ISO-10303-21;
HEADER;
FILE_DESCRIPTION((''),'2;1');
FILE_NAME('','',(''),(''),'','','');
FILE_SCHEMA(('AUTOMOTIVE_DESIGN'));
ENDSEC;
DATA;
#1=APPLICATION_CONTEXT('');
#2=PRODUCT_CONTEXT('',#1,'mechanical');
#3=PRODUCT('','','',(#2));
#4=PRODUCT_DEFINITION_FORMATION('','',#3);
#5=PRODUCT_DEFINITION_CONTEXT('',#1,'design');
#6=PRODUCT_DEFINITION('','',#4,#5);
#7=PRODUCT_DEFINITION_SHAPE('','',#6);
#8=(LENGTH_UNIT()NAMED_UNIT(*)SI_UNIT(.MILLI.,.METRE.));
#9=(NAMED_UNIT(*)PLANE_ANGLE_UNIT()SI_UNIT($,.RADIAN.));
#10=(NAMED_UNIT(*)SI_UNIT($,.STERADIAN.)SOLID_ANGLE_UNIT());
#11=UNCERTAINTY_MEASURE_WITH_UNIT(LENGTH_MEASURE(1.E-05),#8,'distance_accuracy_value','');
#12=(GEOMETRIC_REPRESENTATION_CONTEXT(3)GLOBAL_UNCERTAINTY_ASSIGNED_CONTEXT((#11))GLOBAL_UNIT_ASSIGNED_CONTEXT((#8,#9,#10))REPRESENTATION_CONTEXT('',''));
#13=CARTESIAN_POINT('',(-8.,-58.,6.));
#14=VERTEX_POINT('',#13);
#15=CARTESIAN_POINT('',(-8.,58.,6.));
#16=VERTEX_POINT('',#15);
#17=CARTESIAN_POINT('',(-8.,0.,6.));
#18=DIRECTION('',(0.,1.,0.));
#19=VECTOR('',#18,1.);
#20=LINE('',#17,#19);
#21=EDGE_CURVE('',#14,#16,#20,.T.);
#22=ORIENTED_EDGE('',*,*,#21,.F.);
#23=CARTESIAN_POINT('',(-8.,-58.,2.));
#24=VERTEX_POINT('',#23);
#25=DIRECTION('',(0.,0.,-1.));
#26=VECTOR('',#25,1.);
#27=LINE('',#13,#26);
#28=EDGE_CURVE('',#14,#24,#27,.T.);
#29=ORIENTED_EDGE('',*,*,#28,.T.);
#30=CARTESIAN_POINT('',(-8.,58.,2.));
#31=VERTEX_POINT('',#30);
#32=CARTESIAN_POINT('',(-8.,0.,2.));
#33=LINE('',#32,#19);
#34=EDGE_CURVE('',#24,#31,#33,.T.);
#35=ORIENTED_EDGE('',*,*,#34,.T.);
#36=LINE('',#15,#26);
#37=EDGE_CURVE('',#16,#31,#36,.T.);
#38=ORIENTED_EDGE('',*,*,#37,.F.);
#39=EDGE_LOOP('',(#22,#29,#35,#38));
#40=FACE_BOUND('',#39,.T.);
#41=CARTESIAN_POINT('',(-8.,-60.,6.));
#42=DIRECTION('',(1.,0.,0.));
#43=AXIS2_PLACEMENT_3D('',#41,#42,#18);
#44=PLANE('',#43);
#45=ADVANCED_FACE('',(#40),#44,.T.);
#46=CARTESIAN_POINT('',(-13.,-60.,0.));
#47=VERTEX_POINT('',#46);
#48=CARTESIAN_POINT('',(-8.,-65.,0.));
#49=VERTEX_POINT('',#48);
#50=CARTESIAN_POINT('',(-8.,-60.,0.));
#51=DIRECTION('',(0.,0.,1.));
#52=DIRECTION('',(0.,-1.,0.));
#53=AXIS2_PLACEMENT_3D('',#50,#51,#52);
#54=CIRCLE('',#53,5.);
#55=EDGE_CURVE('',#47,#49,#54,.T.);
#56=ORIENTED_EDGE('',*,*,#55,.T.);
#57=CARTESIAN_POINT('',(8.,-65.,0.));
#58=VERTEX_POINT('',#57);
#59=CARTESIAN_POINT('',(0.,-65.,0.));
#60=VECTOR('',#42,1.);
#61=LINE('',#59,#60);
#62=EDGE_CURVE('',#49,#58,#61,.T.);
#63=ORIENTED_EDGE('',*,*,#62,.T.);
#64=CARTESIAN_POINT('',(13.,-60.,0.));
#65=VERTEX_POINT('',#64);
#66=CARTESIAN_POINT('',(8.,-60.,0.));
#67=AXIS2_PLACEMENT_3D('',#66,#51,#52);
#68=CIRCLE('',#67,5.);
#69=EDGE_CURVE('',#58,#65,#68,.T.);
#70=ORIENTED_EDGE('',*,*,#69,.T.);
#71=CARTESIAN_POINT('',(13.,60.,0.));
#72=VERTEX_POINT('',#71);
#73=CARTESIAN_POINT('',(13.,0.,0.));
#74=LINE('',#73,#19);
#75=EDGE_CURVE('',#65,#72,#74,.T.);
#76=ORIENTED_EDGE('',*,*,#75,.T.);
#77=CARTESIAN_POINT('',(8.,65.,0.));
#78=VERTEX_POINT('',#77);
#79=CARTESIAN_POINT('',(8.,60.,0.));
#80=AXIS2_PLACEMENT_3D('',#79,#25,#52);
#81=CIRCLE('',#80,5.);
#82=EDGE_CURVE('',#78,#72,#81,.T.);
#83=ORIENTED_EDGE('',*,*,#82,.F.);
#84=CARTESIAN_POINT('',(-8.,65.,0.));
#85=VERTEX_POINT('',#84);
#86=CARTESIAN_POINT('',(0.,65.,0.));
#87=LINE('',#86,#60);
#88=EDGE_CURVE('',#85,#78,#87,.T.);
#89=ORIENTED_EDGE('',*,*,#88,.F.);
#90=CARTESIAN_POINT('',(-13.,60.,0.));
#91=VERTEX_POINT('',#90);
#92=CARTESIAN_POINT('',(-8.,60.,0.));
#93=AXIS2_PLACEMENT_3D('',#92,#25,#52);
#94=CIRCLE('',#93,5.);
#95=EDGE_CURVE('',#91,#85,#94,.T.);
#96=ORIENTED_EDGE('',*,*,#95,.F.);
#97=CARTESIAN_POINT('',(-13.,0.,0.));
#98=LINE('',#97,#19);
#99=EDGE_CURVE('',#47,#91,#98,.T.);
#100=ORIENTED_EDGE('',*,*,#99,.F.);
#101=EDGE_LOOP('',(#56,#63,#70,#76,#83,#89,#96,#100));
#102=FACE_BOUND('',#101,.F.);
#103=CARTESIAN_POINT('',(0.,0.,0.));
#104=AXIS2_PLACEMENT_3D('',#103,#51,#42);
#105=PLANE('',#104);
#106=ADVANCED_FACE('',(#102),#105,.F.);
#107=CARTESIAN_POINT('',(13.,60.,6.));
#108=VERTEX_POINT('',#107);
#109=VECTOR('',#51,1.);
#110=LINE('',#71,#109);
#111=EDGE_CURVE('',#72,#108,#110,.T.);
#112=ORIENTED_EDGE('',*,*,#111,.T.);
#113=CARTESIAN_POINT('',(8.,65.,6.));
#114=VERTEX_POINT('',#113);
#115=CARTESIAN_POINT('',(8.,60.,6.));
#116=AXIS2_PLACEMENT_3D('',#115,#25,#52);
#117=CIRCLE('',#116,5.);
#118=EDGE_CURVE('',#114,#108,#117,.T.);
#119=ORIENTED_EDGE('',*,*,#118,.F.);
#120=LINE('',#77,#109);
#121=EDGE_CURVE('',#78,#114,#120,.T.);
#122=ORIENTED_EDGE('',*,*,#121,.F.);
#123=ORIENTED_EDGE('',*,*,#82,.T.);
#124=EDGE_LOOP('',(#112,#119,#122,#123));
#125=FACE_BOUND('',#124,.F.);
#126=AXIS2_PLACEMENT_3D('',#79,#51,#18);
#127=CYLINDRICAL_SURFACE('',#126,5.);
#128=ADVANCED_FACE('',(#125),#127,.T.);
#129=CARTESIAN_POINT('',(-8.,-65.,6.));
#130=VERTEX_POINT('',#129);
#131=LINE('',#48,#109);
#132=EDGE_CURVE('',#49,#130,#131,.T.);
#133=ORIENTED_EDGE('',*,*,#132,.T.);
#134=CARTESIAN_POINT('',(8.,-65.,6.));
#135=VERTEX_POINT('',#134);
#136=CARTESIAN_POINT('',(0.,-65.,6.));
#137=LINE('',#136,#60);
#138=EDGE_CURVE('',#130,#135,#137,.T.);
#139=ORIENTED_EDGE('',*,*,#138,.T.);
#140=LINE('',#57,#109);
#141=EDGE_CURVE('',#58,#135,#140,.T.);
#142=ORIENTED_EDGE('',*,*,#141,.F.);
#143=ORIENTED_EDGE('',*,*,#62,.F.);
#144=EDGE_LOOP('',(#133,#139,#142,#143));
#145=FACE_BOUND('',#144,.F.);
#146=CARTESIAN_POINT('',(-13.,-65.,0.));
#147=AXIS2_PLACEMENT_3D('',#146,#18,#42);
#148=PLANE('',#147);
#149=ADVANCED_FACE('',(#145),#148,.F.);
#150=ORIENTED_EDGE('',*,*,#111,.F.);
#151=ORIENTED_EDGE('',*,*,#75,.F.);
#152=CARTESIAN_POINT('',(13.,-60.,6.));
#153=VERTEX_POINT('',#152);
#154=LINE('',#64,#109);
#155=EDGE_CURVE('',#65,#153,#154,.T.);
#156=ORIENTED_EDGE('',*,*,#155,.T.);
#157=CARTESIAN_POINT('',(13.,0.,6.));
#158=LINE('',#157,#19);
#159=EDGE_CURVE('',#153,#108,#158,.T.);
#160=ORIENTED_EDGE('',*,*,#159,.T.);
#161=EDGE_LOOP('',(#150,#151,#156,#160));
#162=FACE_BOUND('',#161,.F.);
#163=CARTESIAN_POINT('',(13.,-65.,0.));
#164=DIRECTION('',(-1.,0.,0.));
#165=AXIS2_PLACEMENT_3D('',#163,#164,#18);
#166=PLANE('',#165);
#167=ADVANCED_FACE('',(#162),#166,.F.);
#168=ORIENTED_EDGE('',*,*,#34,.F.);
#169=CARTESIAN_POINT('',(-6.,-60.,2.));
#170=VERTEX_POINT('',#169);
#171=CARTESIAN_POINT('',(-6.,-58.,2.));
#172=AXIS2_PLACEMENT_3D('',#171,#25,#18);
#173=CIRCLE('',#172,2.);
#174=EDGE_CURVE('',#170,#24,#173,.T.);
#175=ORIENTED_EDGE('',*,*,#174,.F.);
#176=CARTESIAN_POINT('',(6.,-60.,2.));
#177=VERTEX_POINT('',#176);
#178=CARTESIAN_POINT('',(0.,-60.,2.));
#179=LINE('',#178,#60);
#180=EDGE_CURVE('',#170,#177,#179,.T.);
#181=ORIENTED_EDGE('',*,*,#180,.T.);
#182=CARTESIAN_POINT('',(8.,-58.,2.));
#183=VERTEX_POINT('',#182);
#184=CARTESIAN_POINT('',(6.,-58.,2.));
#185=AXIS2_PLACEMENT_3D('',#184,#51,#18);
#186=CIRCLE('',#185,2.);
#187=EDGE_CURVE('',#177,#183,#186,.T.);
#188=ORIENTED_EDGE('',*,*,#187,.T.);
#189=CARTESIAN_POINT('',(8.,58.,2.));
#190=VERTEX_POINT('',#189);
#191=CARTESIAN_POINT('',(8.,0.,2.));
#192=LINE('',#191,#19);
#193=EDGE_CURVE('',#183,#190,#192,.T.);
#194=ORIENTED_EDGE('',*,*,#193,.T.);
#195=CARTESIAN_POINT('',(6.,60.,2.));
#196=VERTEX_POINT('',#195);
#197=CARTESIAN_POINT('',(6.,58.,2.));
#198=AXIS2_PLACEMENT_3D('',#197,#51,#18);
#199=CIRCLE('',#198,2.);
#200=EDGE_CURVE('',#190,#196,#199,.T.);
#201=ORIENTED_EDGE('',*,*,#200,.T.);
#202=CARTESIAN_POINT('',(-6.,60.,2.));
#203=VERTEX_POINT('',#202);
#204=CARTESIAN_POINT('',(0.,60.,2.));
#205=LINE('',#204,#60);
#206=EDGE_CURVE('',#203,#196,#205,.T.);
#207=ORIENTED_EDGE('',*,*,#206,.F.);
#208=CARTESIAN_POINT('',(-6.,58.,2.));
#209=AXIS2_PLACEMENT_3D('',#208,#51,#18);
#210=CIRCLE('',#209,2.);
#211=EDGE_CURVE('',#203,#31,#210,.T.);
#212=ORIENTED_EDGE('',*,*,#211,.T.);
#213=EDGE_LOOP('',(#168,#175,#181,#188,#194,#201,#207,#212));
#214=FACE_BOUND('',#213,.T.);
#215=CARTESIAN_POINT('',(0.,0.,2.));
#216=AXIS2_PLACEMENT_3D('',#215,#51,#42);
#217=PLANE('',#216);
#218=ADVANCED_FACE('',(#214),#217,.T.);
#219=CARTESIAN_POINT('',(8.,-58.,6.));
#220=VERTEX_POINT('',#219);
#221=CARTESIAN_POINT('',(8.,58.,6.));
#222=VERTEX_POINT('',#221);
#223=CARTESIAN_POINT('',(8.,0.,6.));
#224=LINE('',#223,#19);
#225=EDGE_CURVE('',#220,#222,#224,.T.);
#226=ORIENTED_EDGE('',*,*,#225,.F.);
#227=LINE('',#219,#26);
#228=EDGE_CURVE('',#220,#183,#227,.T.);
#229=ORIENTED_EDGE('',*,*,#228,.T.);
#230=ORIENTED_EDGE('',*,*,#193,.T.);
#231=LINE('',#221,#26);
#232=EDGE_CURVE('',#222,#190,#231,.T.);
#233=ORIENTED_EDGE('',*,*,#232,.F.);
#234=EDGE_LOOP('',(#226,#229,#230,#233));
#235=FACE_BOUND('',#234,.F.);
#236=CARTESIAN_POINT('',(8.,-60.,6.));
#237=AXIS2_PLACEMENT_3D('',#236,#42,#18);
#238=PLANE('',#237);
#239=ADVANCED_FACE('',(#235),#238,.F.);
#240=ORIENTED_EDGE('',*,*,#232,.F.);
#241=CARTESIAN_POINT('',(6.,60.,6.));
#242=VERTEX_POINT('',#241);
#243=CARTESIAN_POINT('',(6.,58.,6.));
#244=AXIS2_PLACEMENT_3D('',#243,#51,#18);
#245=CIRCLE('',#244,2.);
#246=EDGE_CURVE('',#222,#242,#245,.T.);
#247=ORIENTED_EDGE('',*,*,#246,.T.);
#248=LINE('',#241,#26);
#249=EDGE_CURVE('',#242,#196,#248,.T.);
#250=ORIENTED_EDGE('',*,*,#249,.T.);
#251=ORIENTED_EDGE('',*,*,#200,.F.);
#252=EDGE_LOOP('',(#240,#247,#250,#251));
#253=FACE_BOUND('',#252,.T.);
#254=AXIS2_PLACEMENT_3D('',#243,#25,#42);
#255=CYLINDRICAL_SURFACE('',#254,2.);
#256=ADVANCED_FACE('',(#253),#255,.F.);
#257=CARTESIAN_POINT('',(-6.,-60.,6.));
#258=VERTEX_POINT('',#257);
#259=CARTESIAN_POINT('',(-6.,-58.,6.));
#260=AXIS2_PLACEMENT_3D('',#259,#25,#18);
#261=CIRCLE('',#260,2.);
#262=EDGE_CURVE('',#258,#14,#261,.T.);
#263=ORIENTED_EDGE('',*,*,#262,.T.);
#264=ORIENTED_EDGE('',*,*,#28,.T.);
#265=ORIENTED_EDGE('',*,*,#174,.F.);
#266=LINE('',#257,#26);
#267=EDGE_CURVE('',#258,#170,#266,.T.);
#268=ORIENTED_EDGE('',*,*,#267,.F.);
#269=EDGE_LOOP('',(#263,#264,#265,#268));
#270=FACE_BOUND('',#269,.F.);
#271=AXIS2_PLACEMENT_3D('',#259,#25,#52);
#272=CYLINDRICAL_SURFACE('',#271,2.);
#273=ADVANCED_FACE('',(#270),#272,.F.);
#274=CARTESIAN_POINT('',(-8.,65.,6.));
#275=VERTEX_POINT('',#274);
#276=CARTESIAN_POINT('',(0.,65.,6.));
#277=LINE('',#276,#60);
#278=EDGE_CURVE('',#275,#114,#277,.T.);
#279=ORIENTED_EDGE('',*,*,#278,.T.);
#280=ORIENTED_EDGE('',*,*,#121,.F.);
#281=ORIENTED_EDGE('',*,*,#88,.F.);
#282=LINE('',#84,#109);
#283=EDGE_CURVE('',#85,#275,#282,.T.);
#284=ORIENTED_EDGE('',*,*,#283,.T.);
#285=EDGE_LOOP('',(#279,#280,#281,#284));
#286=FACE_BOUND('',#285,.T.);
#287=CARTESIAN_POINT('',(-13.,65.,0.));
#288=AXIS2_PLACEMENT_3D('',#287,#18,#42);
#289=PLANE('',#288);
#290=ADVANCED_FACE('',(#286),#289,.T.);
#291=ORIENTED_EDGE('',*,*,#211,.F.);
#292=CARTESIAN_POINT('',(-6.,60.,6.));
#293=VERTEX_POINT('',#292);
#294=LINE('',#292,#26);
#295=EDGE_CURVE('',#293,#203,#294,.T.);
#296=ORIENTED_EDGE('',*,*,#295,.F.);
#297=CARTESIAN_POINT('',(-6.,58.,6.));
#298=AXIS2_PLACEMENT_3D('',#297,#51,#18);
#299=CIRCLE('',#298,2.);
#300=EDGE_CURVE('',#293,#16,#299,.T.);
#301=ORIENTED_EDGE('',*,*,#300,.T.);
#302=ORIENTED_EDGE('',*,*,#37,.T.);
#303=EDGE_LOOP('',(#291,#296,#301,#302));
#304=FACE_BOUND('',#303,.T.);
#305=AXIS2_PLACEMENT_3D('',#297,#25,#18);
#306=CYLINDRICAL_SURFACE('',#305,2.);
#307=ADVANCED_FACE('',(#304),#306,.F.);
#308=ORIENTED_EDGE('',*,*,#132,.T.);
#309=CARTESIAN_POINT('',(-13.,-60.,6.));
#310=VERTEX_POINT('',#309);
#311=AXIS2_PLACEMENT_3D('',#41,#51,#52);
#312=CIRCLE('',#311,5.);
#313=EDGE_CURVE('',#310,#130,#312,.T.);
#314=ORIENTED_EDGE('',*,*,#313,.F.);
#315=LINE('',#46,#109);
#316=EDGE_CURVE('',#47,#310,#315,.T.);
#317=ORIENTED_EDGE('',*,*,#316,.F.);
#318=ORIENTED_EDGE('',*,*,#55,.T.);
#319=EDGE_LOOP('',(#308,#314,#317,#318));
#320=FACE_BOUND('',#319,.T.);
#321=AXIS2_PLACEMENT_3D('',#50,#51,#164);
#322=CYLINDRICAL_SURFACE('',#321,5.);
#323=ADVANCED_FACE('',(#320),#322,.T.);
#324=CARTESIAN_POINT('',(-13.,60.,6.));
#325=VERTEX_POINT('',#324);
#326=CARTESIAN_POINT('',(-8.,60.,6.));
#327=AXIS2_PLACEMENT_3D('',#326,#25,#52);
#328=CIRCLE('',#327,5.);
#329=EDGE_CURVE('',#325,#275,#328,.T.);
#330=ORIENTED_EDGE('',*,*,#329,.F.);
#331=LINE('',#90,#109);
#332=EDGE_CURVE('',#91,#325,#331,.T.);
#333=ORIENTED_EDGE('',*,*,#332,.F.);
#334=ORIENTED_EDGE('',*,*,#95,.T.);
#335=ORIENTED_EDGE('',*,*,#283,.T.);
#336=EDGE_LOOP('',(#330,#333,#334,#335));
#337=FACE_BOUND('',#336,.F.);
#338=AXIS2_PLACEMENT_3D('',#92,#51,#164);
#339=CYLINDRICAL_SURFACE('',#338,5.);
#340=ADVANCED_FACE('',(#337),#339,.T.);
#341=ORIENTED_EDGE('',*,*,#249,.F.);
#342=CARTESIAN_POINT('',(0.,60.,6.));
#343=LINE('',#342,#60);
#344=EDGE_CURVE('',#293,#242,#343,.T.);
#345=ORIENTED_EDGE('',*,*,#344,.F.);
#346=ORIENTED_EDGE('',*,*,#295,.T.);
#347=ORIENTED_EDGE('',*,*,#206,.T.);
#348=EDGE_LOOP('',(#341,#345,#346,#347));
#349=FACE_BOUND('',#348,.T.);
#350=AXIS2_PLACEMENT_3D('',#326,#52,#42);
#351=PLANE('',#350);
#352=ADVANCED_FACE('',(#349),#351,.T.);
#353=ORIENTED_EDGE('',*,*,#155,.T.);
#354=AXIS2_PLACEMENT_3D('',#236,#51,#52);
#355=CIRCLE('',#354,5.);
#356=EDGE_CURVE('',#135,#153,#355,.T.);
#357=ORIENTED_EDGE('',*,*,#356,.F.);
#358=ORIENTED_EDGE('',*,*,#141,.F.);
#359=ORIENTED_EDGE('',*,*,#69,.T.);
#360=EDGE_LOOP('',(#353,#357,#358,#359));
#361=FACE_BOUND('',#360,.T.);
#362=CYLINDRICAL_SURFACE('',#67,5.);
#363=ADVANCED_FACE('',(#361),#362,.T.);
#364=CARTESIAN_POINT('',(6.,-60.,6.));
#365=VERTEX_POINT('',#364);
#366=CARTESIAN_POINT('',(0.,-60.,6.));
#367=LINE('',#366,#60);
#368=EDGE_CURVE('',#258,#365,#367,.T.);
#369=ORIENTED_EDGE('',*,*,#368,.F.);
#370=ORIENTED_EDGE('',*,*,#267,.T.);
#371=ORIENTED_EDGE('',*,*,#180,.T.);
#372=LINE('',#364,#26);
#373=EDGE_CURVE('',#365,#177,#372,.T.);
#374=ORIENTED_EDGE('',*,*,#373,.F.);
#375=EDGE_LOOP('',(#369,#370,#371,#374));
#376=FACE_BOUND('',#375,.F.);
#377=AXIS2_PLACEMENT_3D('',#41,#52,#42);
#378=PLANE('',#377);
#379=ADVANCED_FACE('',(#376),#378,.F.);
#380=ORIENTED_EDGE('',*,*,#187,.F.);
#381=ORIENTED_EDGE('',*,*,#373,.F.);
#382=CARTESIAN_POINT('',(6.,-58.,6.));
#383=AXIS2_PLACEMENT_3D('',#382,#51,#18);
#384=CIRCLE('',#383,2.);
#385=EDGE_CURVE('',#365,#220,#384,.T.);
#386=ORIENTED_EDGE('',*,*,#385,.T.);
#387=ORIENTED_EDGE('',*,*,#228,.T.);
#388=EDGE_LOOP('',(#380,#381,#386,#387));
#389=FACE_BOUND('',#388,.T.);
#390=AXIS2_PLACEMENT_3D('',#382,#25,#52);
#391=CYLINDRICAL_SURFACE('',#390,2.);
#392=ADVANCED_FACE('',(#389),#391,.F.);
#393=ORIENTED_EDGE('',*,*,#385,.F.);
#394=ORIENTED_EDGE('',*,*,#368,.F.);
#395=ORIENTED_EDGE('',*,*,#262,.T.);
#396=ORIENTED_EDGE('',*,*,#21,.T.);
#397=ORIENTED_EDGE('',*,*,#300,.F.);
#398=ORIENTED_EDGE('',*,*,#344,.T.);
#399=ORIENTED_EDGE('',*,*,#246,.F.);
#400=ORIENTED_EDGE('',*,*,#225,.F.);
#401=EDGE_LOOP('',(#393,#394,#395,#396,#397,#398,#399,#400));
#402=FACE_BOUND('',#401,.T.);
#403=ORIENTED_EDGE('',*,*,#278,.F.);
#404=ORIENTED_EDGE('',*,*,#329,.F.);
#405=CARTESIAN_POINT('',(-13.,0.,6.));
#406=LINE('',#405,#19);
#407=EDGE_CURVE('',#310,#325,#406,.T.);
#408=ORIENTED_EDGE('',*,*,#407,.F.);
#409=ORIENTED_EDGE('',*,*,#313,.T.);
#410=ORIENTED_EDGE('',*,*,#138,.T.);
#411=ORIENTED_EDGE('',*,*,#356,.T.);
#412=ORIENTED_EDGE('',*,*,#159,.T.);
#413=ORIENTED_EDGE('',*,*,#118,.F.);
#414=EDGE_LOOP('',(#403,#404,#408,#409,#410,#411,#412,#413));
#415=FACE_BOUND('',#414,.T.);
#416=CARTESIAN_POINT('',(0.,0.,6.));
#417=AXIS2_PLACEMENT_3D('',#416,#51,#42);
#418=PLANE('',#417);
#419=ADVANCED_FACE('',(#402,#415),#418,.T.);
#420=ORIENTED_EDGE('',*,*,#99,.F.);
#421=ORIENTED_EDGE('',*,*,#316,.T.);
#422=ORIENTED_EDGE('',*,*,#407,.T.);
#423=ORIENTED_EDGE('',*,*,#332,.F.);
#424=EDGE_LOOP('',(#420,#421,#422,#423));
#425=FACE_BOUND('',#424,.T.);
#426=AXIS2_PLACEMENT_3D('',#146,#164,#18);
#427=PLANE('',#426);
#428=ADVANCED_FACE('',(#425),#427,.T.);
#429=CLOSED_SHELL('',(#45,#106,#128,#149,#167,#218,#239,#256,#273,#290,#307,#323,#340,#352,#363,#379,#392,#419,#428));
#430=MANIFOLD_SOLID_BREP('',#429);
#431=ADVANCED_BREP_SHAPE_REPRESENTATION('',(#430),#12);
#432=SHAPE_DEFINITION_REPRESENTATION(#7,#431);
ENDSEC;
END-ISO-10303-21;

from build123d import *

# Parameters (mm, degrees)
F0_W     = 26
F0_H     = 130
F1_DEPTH = 6
F2_W     = 16
F2_H     = 120
F3_DEPTH = 4
F4_R     = 2
F5_R     = 5


with BuildPart() as f1:
    # F0 (on Top) → F1 (new body)
    with BuildSketch(Plane.XY):
        Rectangle(F0_W, F0_H)
    extrude(amount=F1_DEPTH)

    # F2 (on face) → F3 (cut)
    with BuildSketch(Plane.XY.offset(6)):
        Rectangle(F2_W, F2_H)
    extrude(amount=-F3_DEPTH, mode=Mode.SUBTRACT)

    # F4
    f4_edges = [f1.edges().sort_by_distance(p)[0] for p in [
        (-8, 60, 4),
        (-8, -60, 4),
        (8, -60, 4),
        (8, 60, 4),
    ]]
    fillet(f4_edges, radius=F4_R)

    # F5
    f5_edges = [f1.edges().sort_by_distance(p)[0] for p in [
        (-13, -65, 3),
        (13, -65, 3),
        (13, 65, 3),
        (-13, 65, 3),
    ]]
    fillet(f5_edges, radius=F5_R)


solid = f1.part
